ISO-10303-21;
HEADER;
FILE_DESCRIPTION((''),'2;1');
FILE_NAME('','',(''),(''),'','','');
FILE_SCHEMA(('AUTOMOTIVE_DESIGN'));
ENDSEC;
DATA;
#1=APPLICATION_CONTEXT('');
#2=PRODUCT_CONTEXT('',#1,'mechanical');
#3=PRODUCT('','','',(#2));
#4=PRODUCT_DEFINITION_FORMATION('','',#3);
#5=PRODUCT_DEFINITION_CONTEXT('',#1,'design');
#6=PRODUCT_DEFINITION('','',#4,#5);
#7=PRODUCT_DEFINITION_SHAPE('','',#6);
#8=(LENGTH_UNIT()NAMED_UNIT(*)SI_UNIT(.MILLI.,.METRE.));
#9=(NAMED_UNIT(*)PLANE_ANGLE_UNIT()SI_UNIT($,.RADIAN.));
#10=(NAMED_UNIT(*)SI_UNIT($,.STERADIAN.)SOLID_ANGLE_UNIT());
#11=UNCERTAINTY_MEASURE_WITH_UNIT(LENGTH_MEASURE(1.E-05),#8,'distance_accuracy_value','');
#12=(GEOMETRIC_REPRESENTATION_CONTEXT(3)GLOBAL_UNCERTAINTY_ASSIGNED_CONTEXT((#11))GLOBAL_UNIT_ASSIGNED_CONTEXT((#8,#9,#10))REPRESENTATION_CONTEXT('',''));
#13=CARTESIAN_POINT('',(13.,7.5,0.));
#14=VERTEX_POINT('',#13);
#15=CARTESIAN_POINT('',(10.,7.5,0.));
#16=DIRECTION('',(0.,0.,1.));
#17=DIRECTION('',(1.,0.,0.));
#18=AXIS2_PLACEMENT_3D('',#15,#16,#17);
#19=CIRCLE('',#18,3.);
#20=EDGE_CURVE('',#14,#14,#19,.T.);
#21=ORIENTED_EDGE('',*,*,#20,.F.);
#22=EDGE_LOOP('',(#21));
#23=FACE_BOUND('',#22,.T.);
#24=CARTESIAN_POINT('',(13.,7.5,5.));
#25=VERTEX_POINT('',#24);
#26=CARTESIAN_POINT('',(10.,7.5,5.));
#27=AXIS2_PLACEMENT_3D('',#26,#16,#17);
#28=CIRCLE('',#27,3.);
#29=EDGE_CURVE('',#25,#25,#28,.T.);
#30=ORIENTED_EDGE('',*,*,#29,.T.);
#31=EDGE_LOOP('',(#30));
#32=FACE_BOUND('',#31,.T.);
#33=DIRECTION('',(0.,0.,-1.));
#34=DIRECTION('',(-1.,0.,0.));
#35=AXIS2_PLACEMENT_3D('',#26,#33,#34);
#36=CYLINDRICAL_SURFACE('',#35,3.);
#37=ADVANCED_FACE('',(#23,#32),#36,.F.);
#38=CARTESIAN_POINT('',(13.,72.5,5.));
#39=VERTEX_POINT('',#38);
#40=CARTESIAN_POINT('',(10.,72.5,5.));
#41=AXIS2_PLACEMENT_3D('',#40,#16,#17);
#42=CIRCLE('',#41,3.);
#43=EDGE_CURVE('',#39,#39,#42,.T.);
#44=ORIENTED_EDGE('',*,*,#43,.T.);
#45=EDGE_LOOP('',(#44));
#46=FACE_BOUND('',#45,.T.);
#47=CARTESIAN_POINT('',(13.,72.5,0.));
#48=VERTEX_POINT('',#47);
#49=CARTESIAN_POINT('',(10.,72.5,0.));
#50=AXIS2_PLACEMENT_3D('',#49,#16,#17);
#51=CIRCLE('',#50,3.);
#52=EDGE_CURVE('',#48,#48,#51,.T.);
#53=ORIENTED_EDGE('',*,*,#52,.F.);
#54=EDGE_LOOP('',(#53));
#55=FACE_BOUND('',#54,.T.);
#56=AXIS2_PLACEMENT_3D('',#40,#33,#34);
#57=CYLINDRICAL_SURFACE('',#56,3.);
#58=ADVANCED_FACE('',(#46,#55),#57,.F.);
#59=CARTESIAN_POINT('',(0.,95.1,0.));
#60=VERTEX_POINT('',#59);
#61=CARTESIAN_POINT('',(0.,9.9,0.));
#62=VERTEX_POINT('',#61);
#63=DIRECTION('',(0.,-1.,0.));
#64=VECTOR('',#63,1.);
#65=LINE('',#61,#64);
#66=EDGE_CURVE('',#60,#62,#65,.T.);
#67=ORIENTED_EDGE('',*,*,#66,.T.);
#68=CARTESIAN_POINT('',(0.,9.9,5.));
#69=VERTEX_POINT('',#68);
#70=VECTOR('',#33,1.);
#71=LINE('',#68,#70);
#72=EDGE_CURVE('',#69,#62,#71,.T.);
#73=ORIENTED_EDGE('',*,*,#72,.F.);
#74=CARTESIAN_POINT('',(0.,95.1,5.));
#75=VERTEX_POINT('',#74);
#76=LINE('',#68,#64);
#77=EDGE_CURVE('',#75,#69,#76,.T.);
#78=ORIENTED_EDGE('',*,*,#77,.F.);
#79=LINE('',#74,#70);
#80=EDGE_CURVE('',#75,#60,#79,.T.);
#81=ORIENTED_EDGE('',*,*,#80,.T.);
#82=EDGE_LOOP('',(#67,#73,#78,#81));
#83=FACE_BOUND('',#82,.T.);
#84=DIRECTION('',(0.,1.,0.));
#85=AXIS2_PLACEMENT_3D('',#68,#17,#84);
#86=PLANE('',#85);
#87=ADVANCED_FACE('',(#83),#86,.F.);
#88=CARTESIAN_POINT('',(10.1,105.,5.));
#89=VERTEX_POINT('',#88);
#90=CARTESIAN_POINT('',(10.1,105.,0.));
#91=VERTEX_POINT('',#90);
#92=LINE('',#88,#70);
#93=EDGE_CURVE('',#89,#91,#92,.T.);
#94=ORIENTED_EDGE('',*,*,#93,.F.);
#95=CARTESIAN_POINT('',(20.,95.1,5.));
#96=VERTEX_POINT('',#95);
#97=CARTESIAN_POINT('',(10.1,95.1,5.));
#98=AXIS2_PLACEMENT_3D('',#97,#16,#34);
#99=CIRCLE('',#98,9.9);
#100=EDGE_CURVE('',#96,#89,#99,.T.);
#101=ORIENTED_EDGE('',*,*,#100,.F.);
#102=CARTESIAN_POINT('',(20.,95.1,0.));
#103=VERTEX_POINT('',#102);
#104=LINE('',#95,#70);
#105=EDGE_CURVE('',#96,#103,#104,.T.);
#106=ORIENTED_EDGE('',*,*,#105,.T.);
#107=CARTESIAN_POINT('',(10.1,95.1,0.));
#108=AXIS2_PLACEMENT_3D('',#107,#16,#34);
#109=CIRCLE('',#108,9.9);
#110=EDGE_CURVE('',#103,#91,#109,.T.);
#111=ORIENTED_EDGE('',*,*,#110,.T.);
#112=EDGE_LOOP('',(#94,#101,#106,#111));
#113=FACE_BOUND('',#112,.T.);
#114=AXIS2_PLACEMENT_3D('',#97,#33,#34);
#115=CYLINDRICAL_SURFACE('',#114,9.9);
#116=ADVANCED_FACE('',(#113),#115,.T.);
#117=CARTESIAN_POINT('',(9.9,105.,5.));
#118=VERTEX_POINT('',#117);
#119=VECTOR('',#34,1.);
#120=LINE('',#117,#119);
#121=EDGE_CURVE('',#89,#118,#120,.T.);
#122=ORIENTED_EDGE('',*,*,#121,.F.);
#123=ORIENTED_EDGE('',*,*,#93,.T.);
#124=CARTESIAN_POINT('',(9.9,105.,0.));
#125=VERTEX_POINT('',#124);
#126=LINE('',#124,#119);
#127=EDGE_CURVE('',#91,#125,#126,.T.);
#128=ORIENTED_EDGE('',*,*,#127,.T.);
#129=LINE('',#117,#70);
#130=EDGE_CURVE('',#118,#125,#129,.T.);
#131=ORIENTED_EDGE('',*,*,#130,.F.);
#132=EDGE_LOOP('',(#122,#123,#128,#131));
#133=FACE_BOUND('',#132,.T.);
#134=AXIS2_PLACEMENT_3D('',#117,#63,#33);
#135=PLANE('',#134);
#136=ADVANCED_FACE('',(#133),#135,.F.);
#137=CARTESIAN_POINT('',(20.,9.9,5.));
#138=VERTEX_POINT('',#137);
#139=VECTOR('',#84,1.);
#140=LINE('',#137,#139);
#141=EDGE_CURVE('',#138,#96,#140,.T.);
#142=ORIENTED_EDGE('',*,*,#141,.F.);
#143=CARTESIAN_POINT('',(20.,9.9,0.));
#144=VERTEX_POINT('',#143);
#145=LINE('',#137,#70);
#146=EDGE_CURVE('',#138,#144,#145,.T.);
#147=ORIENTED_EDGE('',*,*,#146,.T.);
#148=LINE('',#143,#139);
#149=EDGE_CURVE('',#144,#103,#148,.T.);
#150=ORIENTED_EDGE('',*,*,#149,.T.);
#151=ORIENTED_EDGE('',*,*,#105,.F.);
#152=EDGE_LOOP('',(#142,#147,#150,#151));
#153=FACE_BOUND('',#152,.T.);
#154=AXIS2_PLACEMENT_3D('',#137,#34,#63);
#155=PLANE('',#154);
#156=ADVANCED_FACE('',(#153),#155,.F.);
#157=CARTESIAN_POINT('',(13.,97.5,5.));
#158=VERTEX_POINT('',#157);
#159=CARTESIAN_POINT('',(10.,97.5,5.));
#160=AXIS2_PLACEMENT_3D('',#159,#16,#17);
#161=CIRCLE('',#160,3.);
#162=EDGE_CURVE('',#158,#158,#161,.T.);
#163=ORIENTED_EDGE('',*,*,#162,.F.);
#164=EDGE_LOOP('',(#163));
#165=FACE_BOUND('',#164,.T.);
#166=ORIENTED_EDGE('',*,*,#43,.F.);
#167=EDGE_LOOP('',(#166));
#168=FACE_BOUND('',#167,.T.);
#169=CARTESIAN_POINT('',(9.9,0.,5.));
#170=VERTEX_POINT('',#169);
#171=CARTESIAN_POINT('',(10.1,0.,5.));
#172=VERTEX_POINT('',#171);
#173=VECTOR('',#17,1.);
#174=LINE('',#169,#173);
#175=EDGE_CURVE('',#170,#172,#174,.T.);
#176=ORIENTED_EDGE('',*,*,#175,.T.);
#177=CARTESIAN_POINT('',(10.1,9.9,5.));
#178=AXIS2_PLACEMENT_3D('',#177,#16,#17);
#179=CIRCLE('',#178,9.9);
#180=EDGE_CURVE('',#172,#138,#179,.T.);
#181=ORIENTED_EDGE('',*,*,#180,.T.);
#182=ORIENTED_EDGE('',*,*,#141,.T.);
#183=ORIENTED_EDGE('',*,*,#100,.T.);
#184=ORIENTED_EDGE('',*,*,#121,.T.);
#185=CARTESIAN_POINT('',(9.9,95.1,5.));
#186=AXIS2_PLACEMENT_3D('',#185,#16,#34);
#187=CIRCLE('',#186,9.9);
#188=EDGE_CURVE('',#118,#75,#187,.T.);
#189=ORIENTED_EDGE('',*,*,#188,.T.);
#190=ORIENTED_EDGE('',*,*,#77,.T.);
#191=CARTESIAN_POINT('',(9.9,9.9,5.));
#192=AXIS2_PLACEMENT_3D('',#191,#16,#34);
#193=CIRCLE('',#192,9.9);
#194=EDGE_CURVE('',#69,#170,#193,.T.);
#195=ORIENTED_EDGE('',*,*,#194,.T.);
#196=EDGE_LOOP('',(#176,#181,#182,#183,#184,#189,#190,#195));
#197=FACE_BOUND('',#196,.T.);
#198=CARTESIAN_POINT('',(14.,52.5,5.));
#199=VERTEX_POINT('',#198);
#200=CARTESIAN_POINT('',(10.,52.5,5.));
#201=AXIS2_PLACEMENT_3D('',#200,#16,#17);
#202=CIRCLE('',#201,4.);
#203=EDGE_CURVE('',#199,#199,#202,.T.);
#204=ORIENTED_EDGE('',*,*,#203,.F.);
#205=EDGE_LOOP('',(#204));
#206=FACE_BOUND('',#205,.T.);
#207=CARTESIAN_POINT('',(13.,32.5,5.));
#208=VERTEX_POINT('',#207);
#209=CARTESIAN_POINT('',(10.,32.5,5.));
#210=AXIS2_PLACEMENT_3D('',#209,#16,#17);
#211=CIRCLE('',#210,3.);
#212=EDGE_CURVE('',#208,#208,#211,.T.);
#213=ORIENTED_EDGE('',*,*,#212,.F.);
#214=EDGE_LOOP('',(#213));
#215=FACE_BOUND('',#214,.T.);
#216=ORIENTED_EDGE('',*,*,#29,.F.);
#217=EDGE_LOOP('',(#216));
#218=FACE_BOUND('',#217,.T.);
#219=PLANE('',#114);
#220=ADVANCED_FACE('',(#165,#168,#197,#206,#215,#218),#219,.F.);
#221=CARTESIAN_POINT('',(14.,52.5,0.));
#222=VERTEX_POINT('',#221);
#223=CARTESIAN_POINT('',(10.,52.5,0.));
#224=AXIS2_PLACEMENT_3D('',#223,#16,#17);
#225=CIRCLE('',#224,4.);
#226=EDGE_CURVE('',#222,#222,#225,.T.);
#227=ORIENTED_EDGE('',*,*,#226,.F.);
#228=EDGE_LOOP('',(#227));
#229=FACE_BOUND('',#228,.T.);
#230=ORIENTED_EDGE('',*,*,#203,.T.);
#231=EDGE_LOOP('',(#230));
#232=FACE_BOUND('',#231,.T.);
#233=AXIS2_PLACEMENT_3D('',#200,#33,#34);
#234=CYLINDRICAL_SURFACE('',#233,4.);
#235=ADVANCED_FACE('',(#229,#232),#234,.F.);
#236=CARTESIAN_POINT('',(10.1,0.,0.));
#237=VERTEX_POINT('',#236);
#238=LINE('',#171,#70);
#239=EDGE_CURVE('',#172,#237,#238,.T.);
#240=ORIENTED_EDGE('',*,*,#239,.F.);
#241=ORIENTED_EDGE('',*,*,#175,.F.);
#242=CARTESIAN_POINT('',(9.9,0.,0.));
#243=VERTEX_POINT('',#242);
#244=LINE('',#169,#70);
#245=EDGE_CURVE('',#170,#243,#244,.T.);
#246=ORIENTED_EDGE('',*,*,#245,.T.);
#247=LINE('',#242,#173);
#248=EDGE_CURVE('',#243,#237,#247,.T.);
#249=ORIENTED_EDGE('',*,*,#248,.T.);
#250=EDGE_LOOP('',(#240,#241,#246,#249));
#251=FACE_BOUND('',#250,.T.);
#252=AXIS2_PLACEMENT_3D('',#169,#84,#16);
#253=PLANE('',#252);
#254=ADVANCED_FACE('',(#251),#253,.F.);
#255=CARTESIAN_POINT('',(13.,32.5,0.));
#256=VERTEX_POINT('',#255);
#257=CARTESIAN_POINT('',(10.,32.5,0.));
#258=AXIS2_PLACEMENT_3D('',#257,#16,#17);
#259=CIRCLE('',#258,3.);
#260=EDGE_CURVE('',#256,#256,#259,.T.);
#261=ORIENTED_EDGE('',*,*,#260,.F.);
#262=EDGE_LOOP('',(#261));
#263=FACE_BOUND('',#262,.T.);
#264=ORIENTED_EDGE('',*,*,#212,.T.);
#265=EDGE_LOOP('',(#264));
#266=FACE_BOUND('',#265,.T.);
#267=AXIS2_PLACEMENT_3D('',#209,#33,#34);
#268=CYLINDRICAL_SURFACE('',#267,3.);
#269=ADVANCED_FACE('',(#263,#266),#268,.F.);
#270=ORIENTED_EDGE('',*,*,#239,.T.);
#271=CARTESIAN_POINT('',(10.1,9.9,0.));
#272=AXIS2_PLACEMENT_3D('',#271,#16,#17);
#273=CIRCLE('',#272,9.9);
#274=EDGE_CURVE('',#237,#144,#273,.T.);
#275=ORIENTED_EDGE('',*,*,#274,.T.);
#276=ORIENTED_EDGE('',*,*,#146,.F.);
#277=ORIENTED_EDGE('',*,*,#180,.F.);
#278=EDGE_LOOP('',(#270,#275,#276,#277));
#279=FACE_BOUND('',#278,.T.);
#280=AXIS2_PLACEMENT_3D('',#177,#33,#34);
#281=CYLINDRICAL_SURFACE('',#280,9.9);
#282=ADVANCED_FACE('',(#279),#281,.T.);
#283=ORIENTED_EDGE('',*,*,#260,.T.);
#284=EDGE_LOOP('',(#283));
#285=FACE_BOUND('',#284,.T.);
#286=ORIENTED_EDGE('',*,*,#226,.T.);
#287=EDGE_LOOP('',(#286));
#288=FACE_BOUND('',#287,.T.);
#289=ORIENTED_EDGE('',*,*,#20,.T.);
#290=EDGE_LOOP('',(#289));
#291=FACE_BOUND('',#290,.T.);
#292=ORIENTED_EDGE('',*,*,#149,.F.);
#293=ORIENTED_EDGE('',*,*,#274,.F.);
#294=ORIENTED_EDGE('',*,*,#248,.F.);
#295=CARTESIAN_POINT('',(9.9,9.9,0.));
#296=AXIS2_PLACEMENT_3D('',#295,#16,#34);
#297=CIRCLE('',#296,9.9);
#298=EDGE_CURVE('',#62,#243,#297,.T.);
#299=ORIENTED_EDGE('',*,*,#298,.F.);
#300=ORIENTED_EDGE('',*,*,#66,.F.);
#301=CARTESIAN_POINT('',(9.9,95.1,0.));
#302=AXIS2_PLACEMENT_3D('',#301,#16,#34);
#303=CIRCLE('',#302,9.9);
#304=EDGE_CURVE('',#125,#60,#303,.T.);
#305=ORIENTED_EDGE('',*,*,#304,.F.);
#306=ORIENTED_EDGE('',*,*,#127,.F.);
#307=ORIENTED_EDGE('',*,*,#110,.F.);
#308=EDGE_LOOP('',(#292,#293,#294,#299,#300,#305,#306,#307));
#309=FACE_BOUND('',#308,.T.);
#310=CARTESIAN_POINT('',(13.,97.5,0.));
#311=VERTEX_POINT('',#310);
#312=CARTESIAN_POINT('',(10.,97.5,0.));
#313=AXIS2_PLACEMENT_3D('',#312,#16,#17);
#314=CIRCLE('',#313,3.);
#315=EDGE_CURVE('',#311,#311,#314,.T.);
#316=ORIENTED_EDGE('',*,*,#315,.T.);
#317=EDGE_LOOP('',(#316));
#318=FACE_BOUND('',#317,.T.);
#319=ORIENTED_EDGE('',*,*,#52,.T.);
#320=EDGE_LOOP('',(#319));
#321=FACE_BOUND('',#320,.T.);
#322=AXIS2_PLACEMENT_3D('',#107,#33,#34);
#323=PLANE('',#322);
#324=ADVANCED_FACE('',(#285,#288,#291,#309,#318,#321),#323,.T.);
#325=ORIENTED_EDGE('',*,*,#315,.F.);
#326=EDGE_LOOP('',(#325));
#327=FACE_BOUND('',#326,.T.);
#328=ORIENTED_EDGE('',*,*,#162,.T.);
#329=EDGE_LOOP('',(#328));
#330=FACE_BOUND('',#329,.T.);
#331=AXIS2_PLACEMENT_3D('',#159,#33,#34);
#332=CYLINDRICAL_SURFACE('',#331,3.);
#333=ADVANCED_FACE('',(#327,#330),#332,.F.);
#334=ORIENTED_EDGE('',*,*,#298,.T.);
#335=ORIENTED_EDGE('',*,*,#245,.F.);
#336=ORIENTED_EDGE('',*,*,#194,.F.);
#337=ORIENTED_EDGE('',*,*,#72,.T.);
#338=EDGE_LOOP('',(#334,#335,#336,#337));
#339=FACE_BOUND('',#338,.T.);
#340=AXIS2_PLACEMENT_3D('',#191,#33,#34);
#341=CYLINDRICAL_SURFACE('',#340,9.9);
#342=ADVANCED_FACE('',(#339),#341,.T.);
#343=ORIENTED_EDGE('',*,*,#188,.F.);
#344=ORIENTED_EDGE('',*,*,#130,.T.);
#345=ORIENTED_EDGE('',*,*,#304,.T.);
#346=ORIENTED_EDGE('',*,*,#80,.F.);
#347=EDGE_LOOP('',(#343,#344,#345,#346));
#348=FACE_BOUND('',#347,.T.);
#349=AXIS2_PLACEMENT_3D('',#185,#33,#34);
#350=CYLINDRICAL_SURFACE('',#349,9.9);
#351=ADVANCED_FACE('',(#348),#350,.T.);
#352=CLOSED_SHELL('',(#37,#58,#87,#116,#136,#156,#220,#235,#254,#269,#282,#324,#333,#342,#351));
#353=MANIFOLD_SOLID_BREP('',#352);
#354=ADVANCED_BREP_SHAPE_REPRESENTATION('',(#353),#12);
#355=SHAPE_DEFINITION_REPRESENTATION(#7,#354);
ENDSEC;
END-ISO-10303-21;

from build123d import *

# Parameters (mm, degrees)
SKETCH1_R           = 4
SKETCH1_R_2         = 3
BOSS_EXTRUDE1_DEPTH = 5


with BuildPart() as part:
    # Sketch1 → Boss-Extrude1 (new body)
    with BuildSketch(Plane.XY):
        with BuildLine():
            Line((9.9, 0), (10.1, 0))
            ThreePointArc((10.1, 0), (17.100357134, 2.899642866), (20, 9.9))
            Line((20, 9.9), (20, 95.1))
            ThreePointArc((20, 95.1), (17.100357134, 102.100357134), (10.1, 105))
            Line((10.1, 105), (9.9, 105))
            ThreePointArc((9.9, 105), (2.899642866, 102.100357134), (0, 95.1))
            Line((0, 95.1), (0, 9.9))
            ThreePointArc((0, 9.9), (2.899642866, 2.899642866), (9.9, 0))
        make_face()
        with Locations((10, 52.5)):
            Circle(SKETCH1_R, mode=Mode.SUBTRACT)
        with Locations((10, 97.5)):
            Circle(SKETCH1_R_2, mode=Mode.SUBTRACT)
        with Locations((10, 7.5)):
            Circle(SKETCH1_R_2, mode=Mode.SUBTRACT)
        with Locations((10, 32.5)):
            Circle(SKETCH1_R_2, mode=Mode.SUBTRACT)
        with Locations((10, 72.5)):
            Circle(SKETCH1_R_2, mode=Mode.SUBTRACT)
    extrude(amount=BOSS_EXTRUDE1_DEPTH)


solid = part.part
